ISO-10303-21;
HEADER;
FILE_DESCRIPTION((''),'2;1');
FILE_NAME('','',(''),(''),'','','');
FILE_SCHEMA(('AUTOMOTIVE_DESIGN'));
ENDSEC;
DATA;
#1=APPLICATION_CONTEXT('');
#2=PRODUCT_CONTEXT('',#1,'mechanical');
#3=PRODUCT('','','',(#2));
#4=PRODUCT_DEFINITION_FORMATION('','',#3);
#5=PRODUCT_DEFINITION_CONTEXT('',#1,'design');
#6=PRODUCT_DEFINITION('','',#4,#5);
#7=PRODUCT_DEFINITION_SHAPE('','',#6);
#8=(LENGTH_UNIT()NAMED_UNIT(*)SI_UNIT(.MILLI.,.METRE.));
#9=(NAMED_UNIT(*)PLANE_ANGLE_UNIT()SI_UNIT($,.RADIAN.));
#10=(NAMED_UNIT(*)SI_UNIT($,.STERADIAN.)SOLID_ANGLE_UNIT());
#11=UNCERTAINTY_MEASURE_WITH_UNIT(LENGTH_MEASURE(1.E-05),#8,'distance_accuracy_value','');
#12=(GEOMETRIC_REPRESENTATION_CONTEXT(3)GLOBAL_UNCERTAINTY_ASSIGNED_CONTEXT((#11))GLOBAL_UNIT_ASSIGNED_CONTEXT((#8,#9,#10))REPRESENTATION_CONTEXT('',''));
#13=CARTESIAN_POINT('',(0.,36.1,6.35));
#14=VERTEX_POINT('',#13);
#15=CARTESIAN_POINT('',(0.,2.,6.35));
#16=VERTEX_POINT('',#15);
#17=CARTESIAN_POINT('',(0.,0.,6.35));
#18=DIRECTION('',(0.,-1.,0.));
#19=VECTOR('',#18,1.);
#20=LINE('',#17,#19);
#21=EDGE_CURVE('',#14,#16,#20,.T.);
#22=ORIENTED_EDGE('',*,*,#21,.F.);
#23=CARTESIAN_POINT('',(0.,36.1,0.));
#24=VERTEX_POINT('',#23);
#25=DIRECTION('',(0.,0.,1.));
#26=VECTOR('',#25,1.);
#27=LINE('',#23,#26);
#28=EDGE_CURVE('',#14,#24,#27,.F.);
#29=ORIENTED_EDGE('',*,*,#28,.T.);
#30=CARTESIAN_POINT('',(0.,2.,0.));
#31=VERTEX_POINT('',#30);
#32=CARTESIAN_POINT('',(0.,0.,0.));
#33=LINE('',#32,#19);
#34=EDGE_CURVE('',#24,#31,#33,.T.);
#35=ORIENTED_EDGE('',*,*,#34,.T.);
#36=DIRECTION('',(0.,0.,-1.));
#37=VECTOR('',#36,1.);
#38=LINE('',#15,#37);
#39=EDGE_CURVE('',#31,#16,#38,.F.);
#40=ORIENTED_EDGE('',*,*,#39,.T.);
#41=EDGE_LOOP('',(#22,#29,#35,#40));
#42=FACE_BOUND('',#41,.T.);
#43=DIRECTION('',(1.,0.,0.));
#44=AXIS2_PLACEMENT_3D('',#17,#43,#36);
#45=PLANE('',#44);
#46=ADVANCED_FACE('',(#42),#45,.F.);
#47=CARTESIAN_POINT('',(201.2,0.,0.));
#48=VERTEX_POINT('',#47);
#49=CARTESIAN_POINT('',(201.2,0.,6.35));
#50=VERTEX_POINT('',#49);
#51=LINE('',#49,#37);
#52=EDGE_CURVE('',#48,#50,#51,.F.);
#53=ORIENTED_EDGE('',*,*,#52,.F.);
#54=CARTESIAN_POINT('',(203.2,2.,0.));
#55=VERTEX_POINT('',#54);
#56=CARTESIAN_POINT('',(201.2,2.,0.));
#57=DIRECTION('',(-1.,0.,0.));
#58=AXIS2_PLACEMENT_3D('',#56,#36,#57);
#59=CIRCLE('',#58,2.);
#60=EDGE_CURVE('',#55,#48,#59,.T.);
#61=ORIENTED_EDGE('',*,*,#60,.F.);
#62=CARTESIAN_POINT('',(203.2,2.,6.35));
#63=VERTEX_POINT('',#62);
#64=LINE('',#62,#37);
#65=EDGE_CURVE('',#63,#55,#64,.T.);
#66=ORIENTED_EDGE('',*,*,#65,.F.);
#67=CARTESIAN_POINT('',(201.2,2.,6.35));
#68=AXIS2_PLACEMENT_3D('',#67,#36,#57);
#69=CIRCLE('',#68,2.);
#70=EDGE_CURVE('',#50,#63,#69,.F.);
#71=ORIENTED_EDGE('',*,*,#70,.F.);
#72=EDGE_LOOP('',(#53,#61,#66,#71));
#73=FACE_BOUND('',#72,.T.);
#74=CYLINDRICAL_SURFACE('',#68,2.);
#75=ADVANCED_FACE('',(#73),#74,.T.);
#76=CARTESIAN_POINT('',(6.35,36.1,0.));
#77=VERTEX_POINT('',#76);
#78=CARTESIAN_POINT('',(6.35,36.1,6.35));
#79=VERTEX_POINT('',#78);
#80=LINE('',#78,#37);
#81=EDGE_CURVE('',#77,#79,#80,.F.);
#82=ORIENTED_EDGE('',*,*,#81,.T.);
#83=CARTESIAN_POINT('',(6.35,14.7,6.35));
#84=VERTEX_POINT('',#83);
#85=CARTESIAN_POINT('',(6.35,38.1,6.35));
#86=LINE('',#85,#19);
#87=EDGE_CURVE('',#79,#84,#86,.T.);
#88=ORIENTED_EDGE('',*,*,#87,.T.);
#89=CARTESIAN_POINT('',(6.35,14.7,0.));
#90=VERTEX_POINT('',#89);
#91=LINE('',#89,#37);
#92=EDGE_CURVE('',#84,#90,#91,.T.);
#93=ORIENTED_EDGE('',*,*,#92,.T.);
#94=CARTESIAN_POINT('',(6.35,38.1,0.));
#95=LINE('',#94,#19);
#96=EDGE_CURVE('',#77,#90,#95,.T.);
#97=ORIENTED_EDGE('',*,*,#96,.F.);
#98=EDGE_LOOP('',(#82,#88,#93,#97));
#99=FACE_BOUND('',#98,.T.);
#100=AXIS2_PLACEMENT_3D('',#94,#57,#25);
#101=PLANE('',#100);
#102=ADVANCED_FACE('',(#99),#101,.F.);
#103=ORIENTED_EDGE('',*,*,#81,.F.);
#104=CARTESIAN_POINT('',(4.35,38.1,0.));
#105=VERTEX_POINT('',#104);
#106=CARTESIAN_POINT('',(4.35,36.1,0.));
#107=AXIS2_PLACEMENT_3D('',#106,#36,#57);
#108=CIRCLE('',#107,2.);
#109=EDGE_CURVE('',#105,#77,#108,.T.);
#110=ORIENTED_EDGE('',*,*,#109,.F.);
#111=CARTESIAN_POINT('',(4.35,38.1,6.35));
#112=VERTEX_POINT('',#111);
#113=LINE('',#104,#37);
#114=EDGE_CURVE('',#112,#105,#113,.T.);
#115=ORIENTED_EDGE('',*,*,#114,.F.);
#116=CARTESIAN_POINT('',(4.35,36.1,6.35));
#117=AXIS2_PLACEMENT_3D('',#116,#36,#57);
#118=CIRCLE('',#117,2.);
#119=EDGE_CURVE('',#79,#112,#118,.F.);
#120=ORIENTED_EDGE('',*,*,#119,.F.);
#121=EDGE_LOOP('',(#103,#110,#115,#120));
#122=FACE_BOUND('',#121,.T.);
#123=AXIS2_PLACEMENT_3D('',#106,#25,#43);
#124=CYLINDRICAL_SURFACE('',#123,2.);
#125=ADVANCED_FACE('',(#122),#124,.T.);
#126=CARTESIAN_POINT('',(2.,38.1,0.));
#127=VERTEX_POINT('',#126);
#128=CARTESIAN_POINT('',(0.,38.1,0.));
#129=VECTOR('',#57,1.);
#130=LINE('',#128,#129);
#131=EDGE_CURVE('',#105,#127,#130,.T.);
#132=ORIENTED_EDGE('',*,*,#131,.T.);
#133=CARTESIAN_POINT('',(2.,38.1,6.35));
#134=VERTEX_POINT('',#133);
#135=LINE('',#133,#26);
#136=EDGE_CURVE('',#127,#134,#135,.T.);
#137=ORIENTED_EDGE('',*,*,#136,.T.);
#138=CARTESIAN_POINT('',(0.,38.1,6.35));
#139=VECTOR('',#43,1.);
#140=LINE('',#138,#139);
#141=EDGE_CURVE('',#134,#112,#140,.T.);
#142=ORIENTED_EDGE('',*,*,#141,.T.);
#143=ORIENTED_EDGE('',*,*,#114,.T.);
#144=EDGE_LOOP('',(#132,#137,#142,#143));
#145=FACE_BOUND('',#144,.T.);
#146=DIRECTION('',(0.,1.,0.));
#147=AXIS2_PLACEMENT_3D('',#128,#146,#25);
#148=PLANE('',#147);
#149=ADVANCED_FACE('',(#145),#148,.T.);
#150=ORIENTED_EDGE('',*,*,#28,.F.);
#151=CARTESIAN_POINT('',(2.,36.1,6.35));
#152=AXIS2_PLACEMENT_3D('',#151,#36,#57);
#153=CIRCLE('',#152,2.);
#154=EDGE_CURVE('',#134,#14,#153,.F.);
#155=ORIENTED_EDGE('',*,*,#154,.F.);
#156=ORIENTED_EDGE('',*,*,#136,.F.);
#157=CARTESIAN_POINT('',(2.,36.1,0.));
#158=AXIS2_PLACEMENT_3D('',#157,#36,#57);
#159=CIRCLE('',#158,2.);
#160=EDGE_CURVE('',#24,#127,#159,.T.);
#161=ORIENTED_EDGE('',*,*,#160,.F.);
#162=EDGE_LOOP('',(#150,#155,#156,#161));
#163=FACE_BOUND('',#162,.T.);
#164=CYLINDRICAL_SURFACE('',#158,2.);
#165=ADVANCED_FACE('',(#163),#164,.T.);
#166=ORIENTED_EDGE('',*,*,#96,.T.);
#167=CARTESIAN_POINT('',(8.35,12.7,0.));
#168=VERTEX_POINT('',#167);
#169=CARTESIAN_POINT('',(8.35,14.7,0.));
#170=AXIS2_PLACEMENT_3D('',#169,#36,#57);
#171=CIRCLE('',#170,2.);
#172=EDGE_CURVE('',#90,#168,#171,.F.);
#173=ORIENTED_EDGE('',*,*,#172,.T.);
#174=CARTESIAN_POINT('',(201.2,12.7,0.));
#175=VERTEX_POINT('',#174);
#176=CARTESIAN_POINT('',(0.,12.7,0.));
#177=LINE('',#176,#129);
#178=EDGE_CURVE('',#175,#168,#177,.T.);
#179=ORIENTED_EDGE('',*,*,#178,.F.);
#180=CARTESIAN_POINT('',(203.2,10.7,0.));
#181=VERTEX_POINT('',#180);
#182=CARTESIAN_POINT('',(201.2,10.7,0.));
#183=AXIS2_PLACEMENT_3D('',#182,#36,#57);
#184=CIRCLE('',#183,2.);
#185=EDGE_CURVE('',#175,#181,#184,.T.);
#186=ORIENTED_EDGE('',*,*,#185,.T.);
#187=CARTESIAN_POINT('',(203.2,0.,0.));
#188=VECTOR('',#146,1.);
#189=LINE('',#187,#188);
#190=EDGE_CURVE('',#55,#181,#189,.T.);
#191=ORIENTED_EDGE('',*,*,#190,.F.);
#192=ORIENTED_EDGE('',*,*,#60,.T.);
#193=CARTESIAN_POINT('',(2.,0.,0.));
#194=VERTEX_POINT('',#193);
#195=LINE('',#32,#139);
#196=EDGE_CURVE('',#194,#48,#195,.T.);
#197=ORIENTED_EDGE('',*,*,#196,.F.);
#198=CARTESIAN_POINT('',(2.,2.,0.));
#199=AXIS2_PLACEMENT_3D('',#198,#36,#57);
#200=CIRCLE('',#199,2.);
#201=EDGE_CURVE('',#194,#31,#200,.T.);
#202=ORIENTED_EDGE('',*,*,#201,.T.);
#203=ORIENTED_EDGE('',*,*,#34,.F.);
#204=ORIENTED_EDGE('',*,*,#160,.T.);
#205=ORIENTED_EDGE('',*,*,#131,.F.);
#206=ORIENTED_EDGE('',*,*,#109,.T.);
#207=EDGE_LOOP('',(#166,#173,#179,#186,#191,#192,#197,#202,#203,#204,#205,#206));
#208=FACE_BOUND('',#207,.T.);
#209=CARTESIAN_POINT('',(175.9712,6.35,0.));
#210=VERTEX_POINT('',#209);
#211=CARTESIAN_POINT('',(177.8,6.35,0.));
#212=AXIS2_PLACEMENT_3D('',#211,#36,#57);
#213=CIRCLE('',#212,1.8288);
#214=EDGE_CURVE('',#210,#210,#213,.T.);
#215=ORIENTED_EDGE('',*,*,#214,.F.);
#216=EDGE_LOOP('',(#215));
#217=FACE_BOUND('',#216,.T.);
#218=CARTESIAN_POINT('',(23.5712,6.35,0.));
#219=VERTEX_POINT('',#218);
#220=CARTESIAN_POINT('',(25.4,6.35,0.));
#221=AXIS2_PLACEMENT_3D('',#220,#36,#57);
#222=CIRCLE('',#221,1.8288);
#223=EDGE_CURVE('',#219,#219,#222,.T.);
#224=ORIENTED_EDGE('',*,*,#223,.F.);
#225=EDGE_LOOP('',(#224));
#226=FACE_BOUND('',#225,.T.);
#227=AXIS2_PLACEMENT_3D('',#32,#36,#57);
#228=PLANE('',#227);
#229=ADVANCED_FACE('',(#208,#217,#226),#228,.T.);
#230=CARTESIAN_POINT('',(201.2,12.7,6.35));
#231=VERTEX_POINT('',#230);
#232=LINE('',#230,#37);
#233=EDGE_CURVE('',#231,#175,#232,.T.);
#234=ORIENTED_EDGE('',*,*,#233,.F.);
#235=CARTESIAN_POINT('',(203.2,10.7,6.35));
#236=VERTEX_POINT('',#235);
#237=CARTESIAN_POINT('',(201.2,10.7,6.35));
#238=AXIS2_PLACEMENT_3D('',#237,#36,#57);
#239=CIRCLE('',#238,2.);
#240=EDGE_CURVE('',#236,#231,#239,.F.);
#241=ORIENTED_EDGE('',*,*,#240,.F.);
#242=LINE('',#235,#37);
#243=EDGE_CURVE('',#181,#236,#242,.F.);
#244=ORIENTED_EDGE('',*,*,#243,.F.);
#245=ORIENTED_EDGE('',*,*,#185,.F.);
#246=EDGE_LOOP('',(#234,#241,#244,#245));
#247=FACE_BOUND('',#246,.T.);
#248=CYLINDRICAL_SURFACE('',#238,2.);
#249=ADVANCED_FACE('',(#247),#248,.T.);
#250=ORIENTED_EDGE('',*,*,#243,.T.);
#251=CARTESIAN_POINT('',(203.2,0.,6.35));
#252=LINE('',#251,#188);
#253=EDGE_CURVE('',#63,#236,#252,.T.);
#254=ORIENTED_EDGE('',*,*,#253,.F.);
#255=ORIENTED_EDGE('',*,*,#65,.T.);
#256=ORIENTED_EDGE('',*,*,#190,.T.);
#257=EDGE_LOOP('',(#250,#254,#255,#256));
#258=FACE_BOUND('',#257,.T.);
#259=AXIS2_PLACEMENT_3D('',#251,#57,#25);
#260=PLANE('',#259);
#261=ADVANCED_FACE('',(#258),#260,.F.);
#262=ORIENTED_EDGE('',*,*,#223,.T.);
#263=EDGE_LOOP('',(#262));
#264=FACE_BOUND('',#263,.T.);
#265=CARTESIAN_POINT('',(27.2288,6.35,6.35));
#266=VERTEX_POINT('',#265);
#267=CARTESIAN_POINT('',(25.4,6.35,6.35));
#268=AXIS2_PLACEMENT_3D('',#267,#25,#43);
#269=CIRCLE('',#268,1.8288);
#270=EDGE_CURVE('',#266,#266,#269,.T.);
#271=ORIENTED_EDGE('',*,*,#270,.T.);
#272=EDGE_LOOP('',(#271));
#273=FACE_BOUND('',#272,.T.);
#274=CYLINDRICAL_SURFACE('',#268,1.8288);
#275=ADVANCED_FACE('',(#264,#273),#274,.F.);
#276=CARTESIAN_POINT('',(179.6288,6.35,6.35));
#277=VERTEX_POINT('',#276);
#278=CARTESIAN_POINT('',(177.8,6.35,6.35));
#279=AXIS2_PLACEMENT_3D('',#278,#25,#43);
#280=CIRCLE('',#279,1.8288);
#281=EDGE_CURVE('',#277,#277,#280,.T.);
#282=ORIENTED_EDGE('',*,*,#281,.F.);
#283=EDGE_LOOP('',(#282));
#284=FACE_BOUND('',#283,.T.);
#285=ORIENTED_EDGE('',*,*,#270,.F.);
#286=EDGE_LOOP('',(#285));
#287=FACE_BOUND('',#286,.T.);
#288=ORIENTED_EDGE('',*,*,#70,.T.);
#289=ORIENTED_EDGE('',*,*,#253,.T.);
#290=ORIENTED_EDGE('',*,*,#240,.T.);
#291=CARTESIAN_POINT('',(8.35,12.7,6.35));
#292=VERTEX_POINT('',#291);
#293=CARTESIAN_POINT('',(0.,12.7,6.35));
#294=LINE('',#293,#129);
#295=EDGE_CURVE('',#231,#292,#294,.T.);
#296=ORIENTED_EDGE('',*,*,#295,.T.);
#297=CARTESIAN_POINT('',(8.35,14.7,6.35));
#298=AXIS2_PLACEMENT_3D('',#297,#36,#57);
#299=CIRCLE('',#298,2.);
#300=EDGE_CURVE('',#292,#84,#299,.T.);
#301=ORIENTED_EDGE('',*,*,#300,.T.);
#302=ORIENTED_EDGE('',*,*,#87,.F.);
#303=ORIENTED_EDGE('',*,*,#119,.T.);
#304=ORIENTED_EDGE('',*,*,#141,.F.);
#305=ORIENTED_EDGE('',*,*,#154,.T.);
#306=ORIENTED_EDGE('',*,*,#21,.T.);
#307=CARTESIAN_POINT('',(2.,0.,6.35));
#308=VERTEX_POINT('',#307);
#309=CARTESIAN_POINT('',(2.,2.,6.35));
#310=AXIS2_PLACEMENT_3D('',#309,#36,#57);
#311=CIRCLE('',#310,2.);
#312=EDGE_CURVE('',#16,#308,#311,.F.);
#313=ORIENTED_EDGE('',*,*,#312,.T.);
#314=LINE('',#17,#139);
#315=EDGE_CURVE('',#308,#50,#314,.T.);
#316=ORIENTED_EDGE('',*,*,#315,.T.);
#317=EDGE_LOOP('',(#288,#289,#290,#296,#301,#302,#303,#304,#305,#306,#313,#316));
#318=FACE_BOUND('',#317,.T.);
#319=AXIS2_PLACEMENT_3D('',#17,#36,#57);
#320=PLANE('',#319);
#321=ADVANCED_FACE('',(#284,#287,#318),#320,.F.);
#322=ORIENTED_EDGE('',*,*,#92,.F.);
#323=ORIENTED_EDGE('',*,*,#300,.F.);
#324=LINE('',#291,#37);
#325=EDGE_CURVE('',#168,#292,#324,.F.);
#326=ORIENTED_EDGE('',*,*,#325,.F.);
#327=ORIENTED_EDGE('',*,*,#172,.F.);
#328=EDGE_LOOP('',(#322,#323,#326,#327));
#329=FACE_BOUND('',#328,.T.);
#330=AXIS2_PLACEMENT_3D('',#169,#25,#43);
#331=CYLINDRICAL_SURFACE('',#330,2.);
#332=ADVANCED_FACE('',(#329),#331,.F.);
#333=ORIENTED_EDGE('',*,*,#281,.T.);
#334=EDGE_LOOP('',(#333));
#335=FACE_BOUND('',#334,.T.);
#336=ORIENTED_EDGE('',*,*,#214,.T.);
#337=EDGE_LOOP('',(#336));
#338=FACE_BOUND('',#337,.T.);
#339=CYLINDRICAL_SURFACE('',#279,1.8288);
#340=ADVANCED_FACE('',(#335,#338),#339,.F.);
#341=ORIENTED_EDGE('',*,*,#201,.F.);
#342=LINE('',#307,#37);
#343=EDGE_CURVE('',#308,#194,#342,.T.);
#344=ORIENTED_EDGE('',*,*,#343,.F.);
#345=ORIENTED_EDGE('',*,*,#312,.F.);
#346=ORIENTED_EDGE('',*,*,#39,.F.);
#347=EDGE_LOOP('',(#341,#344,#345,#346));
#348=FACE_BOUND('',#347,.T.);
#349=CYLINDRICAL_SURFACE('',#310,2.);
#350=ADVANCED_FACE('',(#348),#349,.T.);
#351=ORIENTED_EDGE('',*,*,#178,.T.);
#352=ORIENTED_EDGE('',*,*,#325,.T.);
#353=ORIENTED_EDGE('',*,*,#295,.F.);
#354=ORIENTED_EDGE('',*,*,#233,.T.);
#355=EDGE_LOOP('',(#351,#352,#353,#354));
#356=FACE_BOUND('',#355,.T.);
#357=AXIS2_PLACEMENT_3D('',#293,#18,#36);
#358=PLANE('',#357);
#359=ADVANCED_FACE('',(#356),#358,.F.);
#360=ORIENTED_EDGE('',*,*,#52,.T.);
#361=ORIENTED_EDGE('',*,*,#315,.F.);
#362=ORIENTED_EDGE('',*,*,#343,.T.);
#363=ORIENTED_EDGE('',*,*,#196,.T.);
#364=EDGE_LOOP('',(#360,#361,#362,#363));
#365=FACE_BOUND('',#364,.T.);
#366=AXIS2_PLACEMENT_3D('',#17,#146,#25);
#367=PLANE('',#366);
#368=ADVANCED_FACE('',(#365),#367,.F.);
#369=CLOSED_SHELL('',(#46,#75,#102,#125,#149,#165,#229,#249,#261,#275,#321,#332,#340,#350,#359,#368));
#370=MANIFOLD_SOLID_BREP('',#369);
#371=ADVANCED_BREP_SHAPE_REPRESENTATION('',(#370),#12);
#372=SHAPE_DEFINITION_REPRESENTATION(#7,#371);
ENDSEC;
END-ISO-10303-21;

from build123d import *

# Parameters (mm, degrees)
SKETCH2_W                 = 203.2
SKETCH2_H                 = 12.7
BOSS_EXTRUDE1_DEPTH       = 6.35
SKETCH3_W                 = 6.35
SKETCH3_H                 = 6.35
BOSS_EXTRUDE2_DEPTH       = 25.4
FILLET2_R                 = 2
F_6_CLEARANCE_HOLE1_D     = 3.6576
F_6_CLEARANCE_HOLE1_DEPTH = 10.16
F_6_CLEARANCE_HOLE1_TIP   = 1.0988539


with BuildPart() as part:
    # Sketch2 → Boss-Extrude1 (new body)
    with BuildSketch(Plane.XY):
        with Locations((101.6, 6.35)):
            Rectangle(SKETCH2_W, SKETCH2_H)
    extrude(amount=BOSS_EXTRUDE1_DEPTH)

    # Sketch3 → Boss-Extrude2 (add)
    with BuildSketch(Plane(origin=(0, 12.7, 0), x_dir=(1, 0, 0), z_dir=(0, 1, 0))):
        with Locations((3.175, -3.175)):
            Rectangle(SKETCH3_W, SKETCH3_H)
    extrude(amount=BOSS_EXTRUDE2_DEPTH)

    # Fillet2
    fillet2_edges = [part.edges().sort_by_distance(p)[0] for p in [
        (6.35, 12.7, 3.175),
        (0, 38.1, 3.175),
        (6.35, 38.1, 3.175),
        (203.2, 12.7, 3.175),
        (203.2, 0, 3.175),
        (0, 0, 3.175),
    ]]
    fillet(fillet2_edges, radius=FILLET2_R)

    # #6 Clearance Hole1
    with Locations(Plane.XY.offset(6.35)):
        with Locations((177.8, 6.35), (25.4, 6.35)):
            Hole(F_6_CLEARANCE_HOLE1_D / 2, depth=F_6_CLEARANCE_HOLE1_DEPTH)
            with Locations((0, 0, -(F_6_CLEARANCE_HOLE1_DEPTH + F_6_CLEARANCE_HOLE1_TIP / 2))):  # 118° drill point
                Cone(0, F_6_CLEARANCE_HOLE1_D / 2, F_6_CLEARANCE_HOLE1_TIP, mode=Mode.SUBTRACT)


solid = part.part
